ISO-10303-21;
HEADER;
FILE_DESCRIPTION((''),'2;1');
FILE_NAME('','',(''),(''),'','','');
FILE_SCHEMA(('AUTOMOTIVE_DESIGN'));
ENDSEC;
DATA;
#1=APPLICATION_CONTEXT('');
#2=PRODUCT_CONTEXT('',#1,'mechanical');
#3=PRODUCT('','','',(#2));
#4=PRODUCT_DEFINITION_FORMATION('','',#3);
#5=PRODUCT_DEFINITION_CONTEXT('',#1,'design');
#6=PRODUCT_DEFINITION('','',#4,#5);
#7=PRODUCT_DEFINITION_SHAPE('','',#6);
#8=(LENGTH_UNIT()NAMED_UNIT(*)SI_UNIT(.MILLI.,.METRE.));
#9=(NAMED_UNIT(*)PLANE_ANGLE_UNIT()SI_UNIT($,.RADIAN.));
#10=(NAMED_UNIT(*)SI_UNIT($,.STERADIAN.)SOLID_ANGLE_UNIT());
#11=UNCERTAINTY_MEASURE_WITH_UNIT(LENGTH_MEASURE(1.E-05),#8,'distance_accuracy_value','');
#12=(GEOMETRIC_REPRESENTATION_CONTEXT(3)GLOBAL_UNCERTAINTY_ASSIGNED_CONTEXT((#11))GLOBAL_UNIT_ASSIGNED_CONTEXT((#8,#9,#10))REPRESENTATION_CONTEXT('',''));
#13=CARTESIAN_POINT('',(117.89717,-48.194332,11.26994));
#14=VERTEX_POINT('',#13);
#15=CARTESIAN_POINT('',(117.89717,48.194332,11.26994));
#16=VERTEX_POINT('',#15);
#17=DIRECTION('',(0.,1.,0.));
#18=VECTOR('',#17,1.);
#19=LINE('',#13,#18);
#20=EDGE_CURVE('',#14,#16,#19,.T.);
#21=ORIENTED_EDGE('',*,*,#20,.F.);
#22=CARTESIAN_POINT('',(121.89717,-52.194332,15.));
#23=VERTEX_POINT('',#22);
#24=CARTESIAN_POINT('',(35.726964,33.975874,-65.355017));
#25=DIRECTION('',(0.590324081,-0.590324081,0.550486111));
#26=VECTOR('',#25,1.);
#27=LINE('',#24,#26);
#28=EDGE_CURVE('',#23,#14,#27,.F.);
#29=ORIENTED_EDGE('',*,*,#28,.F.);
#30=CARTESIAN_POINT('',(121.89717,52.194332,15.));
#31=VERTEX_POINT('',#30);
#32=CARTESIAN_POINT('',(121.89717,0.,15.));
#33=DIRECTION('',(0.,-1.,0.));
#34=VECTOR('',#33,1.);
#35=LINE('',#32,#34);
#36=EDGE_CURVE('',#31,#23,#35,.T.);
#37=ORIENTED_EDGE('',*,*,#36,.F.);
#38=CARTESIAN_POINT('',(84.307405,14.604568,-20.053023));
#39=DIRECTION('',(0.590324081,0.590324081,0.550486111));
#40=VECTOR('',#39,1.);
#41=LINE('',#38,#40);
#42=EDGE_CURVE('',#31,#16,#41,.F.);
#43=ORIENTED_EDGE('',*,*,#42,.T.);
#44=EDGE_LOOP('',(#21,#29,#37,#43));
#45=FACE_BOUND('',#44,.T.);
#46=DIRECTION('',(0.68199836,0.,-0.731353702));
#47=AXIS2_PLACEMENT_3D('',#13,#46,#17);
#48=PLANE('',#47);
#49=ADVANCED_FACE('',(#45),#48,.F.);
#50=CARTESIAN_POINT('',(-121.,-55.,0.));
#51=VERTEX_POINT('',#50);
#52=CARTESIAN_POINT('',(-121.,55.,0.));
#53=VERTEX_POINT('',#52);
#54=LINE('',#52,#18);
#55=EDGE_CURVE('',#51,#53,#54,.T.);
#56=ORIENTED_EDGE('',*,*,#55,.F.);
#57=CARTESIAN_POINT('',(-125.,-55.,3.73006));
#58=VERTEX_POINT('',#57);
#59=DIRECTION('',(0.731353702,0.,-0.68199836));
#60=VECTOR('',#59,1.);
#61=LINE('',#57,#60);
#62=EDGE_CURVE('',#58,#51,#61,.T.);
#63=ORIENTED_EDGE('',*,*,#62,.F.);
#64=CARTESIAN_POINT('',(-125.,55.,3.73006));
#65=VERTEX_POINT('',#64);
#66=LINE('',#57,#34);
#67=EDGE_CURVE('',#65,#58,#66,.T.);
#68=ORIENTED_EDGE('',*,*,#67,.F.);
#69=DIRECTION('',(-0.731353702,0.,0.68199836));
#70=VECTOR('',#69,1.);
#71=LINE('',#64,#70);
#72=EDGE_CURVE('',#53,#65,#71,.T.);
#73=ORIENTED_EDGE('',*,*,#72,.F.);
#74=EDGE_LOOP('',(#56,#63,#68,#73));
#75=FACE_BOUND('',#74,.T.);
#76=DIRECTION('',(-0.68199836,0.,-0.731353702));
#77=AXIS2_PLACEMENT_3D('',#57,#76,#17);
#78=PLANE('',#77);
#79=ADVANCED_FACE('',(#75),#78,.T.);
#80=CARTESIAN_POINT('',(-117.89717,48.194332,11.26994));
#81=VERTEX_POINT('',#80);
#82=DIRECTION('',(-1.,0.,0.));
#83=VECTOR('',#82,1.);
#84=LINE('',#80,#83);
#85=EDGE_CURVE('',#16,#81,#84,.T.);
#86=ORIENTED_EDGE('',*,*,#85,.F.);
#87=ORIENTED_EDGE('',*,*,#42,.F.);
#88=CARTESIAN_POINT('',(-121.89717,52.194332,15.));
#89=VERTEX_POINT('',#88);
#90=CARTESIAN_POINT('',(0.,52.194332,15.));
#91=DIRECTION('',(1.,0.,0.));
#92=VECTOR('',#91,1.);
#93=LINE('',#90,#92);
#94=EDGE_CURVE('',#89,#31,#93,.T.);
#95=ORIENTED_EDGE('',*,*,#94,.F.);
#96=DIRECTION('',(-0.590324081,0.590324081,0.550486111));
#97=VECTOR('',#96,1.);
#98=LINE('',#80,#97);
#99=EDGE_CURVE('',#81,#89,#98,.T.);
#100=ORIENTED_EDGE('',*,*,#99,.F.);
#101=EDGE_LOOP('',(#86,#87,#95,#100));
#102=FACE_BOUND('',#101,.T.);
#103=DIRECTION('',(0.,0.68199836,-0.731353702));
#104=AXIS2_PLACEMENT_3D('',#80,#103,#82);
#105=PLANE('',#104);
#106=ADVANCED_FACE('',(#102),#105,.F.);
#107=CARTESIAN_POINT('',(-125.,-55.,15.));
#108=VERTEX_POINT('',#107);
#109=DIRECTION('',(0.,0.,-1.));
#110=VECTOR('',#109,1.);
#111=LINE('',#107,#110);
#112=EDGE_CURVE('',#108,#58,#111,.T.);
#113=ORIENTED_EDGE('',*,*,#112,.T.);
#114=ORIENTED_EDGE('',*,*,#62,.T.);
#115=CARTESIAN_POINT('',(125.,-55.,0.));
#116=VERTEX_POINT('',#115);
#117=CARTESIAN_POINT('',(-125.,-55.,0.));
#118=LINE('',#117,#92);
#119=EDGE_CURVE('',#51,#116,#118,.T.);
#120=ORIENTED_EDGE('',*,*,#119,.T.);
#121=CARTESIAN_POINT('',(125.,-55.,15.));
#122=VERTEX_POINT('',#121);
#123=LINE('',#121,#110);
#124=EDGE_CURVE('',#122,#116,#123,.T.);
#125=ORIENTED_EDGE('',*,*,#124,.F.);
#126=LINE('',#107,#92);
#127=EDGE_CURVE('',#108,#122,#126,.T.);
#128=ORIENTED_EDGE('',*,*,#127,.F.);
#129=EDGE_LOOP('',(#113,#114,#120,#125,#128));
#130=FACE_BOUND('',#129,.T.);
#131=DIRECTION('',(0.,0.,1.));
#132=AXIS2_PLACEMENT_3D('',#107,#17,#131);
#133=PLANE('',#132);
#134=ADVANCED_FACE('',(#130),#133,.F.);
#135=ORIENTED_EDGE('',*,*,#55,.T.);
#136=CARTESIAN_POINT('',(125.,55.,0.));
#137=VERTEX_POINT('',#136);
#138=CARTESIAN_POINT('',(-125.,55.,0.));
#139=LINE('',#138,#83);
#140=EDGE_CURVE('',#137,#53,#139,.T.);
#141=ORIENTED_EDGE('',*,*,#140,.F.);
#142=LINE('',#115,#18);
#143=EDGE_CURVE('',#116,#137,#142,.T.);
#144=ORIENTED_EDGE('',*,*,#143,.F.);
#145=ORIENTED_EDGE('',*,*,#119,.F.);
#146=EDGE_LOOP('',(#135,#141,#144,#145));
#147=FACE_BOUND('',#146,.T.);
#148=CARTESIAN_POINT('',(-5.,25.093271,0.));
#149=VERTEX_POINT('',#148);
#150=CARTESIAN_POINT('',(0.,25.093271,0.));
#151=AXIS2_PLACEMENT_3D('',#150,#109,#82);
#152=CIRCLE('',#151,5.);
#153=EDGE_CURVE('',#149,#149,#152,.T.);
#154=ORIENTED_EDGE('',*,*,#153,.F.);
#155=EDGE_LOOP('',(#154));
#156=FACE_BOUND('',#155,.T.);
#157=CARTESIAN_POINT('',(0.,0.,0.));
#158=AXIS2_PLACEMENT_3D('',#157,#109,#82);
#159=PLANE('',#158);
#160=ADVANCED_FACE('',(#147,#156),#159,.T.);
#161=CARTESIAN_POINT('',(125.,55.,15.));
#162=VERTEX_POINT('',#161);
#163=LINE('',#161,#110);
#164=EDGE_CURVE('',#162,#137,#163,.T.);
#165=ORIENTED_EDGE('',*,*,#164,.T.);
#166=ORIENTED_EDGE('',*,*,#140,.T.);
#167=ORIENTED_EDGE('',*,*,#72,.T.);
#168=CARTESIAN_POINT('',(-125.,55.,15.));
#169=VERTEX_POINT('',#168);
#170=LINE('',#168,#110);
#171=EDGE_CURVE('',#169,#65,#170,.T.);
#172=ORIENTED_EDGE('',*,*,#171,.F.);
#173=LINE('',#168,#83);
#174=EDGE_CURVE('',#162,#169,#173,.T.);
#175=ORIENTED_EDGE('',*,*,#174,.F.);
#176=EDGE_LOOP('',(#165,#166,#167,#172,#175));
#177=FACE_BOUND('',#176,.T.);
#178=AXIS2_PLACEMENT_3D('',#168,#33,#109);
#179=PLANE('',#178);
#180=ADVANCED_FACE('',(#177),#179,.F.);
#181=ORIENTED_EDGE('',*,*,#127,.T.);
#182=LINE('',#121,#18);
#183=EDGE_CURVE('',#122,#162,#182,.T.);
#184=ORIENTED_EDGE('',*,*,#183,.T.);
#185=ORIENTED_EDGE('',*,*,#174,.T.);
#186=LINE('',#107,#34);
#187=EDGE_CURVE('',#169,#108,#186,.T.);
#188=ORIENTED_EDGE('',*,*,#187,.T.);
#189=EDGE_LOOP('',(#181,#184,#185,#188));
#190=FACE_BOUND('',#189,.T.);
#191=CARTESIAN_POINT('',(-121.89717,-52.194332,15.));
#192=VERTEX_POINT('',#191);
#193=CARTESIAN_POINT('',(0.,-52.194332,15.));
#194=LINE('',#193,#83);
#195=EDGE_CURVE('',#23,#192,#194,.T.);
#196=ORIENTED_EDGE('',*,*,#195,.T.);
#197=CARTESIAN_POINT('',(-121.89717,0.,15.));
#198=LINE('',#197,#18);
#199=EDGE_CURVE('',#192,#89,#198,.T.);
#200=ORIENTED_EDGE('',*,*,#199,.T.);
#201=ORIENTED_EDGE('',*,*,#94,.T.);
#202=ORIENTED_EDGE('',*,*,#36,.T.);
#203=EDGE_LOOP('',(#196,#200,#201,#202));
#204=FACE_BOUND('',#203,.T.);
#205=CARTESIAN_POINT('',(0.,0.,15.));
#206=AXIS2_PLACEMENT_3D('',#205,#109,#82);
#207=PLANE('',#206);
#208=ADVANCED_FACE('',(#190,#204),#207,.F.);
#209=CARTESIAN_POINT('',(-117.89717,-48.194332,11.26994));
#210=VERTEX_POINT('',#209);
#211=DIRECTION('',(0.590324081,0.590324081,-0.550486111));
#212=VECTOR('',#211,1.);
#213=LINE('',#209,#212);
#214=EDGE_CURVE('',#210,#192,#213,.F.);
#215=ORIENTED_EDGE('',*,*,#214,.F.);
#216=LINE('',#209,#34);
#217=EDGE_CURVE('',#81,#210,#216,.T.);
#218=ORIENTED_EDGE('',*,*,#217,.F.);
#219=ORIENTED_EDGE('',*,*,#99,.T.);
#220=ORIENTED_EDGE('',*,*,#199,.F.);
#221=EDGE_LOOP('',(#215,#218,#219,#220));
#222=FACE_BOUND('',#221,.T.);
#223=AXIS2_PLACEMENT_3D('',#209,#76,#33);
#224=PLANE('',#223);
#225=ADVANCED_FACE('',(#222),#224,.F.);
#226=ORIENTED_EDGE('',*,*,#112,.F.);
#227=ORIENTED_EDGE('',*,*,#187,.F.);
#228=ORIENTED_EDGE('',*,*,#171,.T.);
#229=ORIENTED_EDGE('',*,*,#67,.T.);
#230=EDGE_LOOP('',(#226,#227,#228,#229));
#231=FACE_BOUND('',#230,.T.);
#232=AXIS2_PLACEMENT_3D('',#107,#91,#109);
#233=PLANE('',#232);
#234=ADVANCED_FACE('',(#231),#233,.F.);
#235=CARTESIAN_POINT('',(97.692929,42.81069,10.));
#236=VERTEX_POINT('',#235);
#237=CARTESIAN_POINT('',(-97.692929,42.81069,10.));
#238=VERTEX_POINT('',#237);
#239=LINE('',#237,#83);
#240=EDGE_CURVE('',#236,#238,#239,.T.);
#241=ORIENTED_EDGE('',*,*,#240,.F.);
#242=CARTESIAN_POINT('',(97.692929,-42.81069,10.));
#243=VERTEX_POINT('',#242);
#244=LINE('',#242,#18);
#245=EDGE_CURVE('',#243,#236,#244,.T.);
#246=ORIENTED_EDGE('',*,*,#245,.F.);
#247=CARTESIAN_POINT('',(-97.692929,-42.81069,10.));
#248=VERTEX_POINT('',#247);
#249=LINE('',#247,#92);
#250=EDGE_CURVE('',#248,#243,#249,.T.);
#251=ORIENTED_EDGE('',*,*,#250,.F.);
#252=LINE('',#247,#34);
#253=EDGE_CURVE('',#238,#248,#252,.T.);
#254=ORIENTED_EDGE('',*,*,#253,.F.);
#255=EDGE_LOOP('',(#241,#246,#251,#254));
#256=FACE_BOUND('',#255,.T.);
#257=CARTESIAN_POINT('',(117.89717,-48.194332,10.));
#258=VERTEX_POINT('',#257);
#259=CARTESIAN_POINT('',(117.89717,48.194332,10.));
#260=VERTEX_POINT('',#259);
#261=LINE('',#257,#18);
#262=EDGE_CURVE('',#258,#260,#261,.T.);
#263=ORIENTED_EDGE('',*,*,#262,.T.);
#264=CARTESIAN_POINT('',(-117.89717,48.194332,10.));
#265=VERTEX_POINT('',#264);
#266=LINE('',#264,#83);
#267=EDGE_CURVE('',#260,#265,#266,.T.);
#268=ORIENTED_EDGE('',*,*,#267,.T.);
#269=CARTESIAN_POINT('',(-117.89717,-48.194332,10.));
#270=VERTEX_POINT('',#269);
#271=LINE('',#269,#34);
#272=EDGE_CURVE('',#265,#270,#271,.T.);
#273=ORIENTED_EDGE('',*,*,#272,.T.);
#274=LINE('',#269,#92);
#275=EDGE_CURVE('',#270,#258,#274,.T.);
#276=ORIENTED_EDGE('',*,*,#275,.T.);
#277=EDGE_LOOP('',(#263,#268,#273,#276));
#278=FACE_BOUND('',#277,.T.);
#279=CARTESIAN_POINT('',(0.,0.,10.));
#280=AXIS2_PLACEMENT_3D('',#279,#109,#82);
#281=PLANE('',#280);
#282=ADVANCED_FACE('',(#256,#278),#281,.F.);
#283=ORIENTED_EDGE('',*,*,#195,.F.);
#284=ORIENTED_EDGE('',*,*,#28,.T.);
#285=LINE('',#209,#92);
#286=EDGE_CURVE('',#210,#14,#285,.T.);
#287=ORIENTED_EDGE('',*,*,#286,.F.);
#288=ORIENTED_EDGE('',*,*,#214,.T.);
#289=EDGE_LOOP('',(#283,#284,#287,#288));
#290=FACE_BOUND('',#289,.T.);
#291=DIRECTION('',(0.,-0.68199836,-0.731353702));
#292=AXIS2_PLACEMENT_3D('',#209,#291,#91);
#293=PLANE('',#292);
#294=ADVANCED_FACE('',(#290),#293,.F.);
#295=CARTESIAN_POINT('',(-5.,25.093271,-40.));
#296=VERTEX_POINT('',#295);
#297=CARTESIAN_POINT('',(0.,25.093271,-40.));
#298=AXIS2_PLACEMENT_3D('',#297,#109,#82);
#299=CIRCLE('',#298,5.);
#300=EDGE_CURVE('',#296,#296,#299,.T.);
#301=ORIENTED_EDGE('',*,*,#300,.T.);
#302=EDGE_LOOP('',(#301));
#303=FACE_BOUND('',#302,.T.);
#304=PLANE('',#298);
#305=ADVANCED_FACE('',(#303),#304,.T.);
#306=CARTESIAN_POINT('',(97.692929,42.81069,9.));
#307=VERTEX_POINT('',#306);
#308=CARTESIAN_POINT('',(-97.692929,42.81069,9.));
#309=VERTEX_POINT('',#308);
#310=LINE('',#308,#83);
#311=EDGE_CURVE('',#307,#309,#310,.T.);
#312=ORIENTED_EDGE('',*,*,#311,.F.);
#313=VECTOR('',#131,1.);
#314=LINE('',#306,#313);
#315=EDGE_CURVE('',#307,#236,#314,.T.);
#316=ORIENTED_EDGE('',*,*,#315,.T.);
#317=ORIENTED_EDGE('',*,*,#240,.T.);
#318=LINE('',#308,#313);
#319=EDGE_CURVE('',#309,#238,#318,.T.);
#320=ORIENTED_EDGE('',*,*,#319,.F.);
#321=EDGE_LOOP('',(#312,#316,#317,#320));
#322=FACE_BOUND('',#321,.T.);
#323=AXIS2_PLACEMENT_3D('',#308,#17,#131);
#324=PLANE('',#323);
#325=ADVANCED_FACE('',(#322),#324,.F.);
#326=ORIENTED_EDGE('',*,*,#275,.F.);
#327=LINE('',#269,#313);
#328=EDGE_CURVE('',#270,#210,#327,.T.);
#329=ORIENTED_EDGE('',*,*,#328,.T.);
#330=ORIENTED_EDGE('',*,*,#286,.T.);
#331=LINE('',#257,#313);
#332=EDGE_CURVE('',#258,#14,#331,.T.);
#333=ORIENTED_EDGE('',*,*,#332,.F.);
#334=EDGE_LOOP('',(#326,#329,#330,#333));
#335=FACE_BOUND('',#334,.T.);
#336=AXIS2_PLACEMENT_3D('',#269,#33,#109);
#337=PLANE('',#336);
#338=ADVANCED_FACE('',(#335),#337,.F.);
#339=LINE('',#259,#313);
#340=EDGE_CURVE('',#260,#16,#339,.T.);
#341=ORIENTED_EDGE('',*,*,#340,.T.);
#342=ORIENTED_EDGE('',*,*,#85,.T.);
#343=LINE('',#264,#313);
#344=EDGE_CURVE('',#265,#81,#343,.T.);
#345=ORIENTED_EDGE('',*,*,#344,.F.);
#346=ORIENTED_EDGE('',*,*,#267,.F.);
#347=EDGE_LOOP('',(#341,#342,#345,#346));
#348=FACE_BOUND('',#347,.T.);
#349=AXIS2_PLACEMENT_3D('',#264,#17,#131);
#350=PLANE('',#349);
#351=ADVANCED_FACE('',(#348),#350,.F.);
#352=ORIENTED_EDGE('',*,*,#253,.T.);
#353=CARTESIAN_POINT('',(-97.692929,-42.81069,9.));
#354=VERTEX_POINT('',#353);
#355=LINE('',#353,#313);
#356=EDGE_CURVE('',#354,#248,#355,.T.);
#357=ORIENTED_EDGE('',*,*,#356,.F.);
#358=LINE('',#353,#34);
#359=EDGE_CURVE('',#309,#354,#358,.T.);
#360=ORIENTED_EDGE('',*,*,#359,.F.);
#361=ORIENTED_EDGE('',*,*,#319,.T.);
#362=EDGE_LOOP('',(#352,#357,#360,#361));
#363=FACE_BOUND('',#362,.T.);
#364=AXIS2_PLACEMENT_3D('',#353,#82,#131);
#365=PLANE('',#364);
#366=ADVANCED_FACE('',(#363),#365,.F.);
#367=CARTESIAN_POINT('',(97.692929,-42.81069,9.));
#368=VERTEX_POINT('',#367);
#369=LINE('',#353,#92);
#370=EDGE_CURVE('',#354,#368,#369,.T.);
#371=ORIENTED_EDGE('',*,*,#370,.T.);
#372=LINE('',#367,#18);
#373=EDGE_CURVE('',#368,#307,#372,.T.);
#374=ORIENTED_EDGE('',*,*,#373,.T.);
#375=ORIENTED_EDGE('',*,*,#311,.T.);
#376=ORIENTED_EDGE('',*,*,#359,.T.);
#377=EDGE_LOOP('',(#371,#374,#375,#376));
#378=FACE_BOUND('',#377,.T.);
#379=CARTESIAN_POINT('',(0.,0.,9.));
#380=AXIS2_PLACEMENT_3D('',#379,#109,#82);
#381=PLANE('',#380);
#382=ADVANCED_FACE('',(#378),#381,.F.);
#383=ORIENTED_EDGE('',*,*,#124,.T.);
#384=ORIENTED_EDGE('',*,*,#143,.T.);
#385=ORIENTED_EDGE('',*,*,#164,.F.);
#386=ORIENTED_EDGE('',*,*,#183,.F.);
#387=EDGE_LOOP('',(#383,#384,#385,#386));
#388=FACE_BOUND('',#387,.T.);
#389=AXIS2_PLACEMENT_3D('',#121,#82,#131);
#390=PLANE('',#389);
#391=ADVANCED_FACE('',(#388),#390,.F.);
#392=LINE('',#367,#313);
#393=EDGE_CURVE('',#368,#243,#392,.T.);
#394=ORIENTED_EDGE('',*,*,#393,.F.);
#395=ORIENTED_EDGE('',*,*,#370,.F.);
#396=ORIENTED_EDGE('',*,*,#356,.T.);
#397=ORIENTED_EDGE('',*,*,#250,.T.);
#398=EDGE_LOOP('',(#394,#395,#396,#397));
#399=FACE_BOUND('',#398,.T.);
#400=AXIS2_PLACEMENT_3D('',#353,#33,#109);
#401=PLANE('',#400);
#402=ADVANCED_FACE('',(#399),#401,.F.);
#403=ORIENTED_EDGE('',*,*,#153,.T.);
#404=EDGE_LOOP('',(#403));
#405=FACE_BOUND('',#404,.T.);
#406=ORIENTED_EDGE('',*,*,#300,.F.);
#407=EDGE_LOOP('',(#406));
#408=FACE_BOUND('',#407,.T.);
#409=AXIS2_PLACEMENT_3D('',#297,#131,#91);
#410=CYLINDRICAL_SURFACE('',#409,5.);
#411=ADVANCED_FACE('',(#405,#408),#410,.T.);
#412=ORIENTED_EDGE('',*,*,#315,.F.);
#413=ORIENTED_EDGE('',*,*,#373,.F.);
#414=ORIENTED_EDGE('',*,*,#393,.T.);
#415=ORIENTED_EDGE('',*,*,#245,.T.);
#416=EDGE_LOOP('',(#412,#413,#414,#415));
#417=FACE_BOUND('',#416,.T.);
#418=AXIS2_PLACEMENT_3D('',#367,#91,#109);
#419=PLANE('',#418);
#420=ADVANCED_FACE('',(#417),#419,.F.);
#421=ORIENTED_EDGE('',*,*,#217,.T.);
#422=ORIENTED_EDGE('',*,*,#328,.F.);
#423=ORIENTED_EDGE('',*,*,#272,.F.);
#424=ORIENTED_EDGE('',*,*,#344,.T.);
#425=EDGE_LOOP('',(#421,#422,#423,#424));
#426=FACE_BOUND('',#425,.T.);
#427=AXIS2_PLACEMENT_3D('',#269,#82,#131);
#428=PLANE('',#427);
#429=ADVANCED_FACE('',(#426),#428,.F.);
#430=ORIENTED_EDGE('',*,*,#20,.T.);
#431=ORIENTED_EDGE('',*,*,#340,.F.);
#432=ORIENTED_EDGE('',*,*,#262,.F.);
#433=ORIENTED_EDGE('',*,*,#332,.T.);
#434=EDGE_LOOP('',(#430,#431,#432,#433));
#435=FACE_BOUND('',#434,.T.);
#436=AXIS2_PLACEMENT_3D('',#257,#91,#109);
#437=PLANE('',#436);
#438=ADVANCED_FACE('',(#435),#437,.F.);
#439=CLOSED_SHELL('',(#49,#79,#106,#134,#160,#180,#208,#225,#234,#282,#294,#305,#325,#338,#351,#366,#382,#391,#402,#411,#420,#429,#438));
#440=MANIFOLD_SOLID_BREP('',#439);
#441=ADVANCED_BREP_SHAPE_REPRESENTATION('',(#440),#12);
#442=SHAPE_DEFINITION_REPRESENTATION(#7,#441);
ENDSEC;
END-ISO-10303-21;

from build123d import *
from OCP.BRepFilletAPI import BRepFilletAPI_MakeChamfer

# Parameters (mm, degrees)
SKETCH_2_W          = 250
SKETCH_2_H          = 110
EXTRUDE_1_DEPTH     = 15
SKETCH_3_W          = 235.794340166
SKETCH_3_H          = 96.388664916
CUT_EXTRUDE_1_DEPTH = 5
SKETCH_4_W          = 195.385858248
SKETCH_4_H          = 85.621380658
CUT_EXTRUDE_2_DEPTH = 1
CHAMFER_1_SIZE      = 4
CHAMFER_1_SIZE2     = 3.730060345
SKETCH_6_R          = 5
EXTRUDE_2_DEPTH     = 40


with BuildPart() as part:
    # 草图2 → 凸台-拉伸1 (new body)
    with BuildSketch(Plane.XY):
        Rectangle(SKETCH_2_W, SKETCH_2_H)
    extrude(amount=EXTRUDE_1_DEPTH)

    # 草图3 → 切除-拉伸1 (cut)
    with BuildSketch(Plane.XY.offset(15)):
        Rectangle(SKETCH_3_W, SKETCH_3_H)
    extrude(amount=-CUT_EXTRUDE_1_DEPTH, mode=Mode.SUBTRACT)

    # 草图4 → 切除-拉伸2 (cut)
    with BuildSketch(Plane.XY.offset(10)):
        Rectangle(SKETCH_4_W, SKETCH_4_H)
    extrude(amount=-CUT_EXTRUDE_2_DEPTH, mode=Mode.SUBTRACT)

    # 倒角1: one chamfer whose edges measure the first distance from different faces: ONE call of the kernel's chamfer builder (chamfer() names one face for all edges)
    chamfer_1_edges_1 = [part.edges().sort_by_distance(p)[0] for p in [
        (117.897170083, 0, 15),
        (0, 48.194332458, 15),
        (-117.897170083, 0, 15),
        (0, -48.194332458, 15),
    ]]
    chamfer_1_side_1 = [part.faces().sort_by_distance(p)[0] for p in [
        (0, -52.268699943, 15),
    ]]
    chamfer_1_edges_2 = [part.edges().sort_by_distance(p)[0] for p in [
        (-125, 0, 0),
    ]]
    chamfer_1_side_2 = [part.faces().sort_by_distance(p)[0] for p in [
        (0, 0, 0),
    ]]
    chamfer_1 = BRepFilletAPI_MakeChamfer(part.part.solid().wrapped)
    for e in chamfer_1_edges_1:
        chamfer_1.Add(CHAMFER_1_SIZE, CHAMFER_1_SIZE2, e.wrapped, chamfer_1_side_1[0].wrapped)  # the first distance lies on this face
    for e in chamfer_1_edges_2:
        chamfer_1.Add(CHAMFER_1_SIZE, CHAMFER_1_SIZE2, e.wrapped, chamfer_1_side_2[0].wrapped)  # the first distance lies on this face
    add(Compound.cast(chamfer_1.Shape()), mode=Mode.REPLACE)

    # 草图6 → 凸台-拉伸2 (add)
    with BuildSketch(Plane(origin=(0, 0, 0), x_dir=(-1, 0, 0), z_dir=(0, 0, -1))):
        with Locations((0, 25.093271363)):
            Circle(SKETCH_6_R)
    extrude(amount=EXTRUDE_2_DEPTH)


solid = part.part
